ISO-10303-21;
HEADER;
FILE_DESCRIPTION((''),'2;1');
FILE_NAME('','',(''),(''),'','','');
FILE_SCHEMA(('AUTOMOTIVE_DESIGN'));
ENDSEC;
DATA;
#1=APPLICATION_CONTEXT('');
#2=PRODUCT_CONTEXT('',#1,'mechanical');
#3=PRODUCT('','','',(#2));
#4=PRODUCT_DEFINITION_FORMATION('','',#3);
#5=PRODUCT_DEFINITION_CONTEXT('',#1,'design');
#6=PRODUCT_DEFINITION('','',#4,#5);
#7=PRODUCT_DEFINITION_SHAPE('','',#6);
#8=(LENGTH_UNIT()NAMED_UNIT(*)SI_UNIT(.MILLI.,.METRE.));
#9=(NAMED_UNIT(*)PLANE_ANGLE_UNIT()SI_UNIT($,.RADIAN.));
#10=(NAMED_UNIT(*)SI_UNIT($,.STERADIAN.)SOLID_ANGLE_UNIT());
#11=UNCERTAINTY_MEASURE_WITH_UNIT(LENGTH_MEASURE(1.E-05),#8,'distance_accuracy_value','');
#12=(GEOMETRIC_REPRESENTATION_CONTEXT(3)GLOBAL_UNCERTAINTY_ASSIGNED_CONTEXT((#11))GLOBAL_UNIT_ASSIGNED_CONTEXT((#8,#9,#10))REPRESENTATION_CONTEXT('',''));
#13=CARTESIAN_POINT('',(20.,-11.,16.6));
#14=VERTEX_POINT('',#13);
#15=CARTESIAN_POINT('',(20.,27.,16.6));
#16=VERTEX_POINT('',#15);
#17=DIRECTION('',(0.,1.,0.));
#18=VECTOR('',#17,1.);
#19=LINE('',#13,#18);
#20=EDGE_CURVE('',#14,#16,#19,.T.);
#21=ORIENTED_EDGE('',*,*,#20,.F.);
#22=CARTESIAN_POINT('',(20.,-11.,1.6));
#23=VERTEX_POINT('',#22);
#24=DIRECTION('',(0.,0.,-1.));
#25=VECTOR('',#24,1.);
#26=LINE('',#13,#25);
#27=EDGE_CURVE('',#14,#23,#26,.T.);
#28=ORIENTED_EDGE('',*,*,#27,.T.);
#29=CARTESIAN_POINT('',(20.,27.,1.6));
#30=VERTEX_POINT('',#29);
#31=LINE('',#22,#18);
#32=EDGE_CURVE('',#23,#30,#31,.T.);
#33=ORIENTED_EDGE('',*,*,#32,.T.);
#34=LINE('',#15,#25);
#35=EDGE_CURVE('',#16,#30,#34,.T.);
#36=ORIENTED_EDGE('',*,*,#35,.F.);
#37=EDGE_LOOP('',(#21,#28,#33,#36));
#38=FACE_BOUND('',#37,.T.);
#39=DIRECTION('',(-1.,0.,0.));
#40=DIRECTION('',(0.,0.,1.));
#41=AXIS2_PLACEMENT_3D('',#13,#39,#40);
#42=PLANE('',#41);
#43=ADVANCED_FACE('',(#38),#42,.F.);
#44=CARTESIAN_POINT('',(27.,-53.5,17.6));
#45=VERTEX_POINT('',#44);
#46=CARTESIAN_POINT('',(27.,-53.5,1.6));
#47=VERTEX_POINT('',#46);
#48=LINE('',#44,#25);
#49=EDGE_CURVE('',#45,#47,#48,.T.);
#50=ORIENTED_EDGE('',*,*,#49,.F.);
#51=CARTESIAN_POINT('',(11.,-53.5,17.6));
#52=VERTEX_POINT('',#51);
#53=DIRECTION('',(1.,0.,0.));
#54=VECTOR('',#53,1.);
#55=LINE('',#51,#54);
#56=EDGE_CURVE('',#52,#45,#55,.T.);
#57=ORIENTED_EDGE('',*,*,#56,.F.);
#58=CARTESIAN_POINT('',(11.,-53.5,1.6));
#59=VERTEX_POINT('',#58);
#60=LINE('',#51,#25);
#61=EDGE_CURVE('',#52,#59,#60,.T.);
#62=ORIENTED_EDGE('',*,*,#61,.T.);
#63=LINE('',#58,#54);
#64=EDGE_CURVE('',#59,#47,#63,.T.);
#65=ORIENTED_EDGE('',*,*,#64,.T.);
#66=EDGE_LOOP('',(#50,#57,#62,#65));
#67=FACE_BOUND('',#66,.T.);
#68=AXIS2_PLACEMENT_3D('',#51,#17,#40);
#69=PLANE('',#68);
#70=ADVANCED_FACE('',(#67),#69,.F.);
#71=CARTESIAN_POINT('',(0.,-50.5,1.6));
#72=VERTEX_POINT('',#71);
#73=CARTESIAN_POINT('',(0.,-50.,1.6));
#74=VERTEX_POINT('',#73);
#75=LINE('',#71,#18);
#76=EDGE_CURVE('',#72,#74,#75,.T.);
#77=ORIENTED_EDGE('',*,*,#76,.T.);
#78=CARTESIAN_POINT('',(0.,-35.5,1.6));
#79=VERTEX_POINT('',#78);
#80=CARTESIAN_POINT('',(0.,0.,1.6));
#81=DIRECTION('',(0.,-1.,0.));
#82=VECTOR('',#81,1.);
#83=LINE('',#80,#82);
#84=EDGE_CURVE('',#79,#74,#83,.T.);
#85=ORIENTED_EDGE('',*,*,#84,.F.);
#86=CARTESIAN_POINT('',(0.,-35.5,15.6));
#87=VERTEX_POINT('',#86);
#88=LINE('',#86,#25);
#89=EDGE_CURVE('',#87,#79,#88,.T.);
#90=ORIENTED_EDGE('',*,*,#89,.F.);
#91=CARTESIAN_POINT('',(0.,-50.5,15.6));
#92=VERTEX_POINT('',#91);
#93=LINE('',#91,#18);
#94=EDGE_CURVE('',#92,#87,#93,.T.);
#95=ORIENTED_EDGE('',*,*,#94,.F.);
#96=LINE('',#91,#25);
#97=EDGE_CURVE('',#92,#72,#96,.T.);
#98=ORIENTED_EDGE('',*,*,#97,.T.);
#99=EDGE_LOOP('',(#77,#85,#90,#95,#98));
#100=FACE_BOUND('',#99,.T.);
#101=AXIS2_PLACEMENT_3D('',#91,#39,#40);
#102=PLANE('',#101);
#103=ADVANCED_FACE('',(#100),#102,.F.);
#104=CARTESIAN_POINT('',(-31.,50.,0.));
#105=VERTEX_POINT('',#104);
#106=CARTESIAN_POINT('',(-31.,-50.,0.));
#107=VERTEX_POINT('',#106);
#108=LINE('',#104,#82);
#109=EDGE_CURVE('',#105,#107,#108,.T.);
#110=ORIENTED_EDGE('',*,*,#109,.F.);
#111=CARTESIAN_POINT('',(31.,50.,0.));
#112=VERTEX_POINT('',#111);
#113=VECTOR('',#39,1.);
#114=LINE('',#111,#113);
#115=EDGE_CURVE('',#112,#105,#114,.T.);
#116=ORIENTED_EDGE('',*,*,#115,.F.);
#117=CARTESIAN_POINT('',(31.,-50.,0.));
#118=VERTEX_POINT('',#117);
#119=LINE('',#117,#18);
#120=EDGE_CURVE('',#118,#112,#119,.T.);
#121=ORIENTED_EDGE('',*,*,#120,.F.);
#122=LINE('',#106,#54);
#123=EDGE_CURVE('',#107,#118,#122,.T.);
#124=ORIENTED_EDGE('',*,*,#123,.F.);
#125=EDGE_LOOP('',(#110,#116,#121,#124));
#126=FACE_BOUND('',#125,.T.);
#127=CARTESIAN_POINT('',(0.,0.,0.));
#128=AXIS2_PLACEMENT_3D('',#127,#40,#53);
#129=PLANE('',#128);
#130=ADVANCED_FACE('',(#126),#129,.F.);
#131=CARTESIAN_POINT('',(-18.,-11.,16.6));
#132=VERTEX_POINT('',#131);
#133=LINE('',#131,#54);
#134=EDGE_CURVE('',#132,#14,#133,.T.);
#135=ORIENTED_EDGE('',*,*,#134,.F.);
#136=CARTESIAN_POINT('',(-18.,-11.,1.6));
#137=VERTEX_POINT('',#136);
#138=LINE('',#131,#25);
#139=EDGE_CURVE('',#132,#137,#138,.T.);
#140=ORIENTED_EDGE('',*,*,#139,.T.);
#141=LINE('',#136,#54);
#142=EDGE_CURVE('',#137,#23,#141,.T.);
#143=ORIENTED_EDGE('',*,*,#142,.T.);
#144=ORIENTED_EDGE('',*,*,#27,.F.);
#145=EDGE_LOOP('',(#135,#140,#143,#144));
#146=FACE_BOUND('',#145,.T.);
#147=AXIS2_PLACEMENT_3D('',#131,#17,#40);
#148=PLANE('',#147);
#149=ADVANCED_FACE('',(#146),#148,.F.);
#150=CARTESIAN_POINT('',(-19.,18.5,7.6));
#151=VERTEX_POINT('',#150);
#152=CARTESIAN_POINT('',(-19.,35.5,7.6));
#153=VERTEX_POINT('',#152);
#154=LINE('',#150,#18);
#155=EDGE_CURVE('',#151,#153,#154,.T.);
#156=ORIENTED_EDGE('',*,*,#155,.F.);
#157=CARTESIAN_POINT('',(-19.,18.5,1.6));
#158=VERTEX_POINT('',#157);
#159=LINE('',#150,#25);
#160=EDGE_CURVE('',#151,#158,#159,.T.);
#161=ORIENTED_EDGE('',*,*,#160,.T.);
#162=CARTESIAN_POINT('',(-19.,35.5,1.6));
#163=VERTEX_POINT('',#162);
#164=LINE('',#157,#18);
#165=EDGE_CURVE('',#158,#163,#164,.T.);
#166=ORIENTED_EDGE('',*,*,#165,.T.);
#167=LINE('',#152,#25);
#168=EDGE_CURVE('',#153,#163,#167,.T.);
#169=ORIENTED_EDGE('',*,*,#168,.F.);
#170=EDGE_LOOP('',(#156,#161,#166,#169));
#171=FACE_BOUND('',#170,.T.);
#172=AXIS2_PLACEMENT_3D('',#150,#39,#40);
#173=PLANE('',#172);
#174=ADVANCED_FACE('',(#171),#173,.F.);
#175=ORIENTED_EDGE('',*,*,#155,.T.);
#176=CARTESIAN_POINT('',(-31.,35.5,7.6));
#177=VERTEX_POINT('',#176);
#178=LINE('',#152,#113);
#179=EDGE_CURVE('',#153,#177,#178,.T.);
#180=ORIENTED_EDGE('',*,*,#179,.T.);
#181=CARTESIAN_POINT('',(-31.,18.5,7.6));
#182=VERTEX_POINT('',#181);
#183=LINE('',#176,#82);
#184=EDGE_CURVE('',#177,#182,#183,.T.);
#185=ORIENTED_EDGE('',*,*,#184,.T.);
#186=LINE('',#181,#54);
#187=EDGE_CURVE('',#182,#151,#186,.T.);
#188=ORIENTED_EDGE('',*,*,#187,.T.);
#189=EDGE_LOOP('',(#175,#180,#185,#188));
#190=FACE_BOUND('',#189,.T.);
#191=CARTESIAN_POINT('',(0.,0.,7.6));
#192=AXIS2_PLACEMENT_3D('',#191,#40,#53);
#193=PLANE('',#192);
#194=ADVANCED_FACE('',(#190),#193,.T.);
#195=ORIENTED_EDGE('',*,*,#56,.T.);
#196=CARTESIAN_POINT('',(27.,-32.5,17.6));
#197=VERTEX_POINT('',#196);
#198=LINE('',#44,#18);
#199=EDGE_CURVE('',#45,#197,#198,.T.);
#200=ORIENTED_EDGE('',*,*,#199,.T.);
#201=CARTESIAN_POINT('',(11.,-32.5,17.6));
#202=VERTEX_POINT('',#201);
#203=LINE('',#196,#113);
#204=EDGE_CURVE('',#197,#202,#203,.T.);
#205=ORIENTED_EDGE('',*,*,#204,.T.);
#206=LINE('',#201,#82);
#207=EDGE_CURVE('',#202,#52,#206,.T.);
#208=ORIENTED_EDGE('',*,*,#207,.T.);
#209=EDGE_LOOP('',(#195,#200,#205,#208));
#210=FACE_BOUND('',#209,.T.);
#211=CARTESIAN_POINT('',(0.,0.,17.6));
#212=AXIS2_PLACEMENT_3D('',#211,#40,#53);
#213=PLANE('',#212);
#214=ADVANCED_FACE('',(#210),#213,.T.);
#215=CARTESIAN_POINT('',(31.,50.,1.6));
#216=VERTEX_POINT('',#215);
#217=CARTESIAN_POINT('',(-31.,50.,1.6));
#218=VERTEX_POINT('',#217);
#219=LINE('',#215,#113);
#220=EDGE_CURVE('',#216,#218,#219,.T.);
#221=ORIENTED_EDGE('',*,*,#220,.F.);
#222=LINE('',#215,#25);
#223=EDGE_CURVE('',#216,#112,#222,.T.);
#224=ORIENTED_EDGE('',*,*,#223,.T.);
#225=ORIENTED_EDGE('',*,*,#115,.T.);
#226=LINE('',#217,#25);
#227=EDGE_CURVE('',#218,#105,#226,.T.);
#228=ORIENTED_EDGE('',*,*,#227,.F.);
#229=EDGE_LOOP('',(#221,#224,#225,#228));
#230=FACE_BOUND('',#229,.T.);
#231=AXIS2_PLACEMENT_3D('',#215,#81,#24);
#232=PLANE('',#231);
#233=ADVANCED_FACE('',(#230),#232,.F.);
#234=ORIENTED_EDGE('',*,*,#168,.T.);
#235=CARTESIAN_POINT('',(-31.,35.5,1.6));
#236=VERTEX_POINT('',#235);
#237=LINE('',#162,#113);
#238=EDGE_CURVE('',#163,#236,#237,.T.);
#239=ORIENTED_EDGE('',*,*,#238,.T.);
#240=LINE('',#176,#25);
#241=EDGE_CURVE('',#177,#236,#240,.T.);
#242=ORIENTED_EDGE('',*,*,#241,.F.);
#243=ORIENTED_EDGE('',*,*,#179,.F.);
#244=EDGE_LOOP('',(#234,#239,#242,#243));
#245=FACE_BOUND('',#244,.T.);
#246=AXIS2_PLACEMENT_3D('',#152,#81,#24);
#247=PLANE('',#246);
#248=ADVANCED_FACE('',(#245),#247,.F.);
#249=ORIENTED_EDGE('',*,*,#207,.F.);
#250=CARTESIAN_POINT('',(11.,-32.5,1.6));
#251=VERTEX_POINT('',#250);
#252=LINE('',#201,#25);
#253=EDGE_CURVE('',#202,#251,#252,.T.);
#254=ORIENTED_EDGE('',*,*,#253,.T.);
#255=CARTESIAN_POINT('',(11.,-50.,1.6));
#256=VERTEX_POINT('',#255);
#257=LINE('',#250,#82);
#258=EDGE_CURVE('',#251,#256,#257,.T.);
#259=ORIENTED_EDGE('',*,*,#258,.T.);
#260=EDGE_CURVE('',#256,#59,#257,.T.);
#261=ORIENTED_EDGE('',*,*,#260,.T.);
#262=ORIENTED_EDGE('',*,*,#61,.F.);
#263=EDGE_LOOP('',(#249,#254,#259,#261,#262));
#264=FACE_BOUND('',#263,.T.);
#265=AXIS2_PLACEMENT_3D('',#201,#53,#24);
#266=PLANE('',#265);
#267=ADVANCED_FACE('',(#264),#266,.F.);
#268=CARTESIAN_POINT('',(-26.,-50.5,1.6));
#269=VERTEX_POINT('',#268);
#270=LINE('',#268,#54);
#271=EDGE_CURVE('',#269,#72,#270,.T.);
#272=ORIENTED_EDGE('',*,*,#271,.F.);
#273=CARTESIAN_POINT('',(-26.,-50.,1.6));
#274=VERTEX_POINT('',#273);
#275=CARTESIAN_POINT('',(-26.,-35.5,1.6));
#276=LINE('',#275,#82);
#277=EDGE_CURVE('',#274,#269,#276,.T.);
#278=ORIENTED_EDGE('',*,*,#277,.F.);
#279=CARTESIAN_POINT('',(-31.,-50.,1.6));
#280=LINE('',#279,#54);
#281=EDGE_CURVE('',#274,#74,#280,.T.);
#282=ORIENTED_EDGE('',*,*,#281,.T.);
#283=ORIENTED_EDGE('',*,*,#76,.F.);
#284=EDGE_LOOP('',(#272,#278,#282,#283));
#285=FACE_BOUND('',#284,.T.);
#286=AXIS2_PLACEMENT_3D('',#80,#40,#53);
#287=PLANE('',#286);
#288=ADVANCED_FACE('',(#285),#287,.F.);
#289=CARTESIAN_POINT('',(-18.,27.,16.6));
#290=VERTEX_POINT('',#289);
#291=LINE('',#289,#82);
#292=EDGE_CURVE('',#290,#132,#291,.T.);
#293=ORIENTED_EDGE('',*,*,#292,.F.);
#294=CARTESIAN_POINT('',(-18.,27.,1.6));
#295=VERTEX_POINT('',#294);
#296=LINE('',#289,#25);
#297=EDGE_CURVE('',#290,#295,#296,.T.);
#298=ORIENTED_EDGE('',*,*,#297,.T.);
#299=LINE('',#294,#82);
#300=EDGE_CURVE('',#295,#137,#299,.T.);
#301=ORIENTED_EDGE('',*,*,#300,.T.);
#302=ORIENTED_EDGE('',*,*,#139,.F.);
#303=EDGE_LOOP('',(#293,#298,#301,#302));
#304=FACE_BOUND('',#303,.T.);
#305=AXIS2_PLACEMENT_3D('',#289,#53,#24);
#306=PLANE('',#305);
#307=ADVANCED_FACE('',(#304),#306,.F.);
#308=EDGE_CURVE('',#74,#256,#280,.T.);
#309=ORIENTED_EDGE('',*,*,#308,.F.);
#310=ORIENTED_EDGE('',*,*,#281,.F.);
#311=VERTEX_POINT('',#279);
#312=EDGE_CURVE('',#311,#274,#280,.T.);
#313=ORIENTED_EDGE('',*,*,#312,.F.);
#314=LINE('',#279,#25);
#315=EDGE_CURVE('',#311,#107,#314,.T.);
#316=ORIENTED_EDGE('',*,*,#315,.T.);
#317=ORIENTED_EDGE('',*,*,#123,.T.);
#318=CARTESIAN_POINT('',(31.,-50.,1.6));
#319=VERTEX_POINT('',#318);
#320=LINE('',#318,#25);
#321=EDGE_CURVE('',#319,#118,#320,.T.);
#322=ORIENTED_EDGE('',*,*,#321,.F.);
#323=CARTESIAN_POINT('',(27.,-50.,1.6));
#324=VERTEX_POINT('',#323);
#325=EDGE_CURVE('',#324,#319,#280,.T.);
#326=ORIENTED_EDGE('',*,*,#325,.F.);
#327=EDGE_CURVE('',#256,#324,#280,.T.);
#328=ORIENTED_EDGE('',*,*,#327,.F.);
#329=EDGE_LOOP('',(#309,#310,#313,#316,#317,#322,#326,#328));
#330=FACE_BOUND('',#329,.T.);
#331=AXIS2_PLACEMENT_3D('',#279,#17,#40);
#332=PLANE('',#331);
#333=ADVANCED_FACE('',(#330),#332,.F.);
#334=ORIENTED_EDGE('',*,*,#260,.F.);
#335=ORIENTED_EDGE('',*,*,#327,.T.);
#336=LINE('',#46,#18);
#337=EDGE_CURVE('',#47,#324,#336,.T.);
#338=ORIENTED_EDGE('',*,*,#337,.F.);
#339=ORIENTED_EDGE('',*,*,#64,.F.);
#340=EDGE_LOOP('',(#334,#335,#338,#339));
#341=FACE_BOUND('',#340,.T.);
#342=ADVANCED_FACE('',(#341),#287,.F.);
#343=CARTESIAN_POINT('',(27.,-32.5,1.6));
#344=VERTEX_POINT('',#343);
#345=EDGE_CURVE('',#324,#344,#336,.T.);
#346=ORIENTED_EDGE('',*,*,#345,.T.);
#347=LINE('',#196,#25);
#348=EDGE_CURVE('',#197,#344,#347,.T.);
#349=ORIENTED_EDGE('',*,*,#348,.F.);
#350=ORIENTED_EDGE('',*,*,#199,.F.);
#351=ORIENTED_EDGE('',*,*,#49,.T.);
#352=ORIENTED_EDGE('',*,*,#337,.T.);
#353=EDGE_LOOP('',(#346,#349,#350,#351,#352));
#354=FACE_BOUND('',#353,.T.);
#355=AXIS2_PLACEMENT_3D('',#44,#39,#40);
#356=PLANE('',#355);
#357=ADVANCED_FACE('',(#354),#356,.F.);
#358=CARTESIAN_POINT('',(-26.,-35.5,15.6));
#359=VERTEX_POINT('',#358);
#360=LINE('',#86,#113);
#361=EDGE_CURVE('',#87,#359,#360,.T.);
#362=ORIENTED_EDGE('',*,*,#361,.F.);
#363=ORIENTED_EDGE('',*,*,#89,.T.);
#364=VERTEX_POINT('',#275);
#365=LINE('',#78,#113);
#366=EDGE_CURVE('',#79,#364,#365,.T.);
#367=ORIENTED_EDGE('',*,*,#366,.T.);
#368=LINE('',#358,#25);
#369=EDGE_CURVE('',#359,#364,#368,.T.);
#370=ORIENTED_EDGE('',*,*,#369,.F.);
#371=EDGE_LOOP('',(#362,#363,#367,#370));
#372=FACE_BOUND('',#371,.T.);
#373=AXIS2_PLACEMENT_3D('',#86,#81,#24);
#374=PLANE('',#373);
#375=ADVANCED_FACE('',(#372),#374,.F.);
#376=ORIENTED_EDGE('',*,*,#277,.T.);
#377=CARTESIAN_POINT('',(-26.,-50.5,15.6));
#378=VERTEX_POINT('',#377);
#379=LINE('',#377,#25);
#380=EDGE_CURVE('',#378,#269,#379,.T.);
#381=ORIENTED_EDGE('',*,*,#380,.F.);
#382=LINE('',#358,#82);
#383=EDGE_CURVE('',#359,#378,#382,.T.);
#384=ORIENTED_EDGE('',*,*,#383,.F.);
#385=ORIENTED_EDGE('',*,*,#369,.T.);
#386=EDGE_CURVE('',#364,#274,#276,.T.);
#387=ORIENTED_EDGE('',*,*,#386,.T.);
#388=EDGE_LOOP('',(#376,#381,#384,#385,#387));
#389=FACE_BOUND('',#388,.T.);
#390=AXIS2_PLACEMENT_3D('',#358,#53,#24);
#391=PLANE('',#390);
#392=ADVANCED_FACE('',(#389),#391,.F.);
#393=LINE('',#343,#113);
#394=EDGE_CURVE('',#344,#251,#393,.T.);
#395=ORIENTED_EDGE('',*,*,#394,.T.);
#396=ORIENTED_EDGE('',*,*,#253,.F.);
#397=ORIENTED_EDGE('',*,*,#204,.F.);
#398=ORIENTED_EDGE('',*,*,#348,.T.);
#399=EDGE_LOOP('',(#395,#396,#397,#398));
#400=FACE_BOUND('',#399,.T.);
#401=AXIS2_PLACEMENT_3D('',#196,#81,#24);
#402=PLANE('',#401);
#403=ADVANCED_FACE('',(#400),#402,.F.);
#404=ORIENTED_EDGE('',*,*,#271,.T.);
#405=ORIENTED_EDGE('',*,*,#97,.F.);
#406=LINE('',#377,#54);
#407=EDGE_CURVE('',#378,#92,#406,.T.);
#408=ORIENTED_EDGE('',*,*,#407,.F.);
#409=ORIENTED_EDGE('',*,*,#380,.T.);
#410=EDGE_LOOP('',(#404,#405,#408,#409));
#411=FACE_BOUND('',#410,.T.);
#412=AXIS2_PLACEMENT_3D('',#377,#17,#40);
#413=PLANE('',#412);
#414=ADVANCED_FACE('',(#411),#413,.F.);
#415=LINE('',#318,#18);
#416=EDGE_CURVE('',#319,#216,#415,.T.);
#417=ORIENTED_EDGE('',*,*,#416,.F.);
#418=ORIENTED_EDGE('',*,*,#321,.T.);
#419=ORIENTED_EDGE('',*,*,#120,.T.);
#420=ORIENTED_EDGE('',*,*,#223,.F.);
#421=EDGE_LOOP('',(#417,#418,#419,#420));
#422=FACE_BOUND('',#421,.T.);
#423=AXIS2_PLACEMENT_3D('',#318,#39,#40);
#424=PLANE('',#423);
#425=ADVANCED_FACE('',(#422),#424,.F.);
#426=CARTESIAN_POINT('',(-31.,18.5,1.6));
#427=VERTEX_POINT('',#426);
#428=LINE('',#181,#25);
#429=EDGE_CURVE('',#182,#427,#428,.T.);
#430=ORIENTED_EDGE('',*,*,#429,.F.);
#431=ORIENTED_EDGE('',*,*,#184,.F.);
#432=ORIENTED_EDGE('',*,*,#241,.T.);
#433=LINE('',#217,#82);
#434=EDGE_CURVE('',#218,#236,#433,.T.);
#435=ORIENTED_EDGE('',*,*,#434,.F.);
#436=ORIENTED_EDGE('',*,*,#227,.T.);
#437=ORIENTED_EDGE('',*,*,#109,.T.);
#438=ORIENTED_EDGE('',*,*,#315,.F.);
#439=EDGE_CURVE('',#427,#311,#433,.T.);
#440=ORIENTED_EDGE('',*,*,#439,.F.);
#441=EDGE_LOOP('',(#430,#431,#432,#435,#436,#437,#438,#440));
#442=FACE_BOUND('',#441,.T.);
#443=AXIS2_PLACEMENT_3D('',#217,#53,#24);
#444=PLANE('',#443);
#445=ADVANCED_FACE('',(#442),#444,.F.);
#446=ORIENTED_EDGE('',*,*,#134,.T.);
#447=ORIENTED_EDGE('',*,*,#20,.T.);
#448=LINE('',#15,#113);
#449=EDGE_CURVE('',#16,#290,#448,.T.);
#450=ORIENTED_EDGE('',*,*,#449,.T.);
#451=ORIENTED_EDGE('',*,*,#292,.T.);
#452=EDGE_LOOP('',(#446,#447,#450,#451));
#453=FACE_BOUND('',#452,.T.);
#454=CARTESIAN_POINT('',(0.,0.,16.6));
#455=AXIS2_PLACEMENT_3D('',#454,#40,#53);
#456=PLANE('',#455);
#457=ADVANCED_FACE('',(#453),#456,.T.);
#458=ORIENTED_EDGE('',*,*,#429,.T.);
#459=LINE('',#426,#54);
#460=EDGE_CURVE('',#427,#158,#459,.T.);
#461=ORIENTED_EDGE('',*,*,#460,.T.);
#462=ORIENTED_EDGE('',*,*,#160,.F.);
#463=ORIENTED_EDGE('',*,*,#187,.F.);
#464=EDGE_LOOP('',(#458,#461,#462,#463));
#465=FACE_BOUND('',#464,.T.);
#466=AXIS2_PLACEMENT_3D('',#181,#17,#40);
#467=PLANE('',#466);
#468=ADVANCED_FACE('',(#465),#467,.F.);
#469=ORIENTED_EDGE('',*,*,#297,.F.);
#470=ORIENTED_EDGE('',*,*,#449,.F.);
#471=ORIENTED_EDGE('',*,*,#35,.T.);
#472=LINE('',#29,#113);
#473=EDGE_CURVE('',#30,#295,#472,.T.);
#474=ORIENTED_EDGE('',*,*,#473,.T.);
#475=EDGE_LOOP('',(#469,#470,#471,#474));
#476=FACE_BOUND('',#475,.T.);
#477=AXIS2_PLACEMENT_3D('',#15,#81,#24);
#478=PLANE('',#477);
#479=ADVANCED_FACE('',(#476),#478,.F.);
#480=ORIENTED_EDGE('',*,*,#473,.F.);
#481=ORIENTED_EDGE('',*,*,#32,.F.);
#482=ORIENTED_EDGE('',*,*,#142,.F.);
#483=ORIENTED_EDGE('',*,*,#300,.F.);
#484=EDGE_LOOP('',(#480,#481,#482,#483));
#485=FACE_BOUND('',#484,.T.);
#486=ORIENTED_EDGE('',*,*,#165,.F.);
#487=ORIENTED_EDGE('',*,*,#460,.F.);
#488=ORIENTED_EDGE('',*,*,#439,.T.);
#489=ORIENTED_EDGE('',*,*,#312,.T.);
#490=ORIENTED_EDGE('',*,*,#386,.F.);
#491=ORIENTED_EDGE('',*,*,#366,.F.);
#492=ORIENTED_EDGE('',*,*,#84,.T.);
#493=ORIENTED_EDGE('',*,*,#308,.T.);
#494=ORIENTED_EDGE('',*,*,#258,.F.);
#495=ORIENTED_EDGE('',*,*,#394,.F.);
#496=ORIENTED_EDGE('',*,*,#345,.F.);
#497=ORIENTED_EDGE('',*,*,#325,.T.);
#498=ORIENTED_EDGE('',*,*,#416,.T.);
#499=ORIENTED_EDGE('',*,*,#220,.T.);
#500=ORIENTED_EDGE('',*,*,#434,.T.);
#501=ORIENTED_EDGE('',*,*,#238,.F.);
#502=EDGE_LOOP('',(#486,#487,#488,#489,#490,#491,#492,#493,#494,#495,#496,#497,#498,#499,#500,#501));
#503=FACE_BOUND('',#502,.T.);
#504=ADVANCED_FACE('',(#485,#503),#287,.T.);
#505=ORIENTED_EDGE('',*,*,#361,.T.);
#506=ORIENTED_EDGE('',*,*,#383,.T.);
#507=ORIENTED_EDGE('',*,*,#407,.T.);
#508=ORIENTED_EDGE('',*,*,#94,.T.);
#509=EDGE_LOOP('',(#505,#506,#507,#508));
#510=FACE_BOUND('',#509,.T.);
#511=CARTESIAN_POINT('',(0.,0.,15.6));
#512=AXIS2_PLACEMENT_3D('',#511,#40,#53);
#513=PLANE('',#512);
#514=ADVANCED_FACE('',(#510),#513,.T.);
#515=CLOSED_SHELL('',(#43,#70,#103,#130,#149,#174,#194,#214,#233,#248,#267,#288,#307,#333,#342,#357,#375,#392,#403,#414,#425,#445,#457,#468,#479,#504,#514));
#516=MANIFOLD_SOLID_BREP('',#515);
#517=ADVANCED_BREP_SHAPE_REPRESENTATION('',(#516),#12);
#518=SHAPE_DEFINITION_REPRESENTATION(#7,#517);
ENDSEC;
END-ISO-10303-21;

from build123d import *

# Parameters (mm, degrees)
SKETCH_1_W           = 62
SKETCH_1_H           = 100
F_5_PCB_100X62_DEPTH = 1.6
EXTRUDE_START        = 1.6
SKETCH_2_W           = 16
SKETCH_2_H           = 21
EXTRUDE_312_DEPTH    = 16
USB_START            = 1.6
SKETCH_3_W           = 26
SKETCH_3_H           = 15
USB_DEPTH            = 14
SKETCH_4_W           = 12
SKETCH_4_H           = 17
EXTRUDE_463_DEPTH    = 6
SKETCH_5_W           = 38
SKETCH_5_H           = 38
EXTRUDE_553_DEPTH    = 15


with BuildPart() as part:
    # 草图1 → 香橙派5_PCB官方外形100x62 (new body)
    with BuildSketch(Plane.XY):
        Rectangle(SKETCH_1_W, SKETCH_1_H)
    extrude(amount=F_5_PCB_100X62_DEPTH)

    # 草图2 → Extrude 312 (add)
    with BuildSketch(Plane.XY.offset(EXTRUDE_START)):
        with Locations((19, -43)):
            Rectangle(SKETCH_2_W, SKETCH_2_H)
    extrude(amount=EXTRUDE_312_DEPTH)

    # 草图3 → USB插拔包络_需按实物替换 (add)
    with BuildSketch(Plane.XY.offset(USB_START)):
        with Locations((-13, -43)):
            Rectangle(SKETCH_3_W, SKETCH_3_H)
    extrude(amount=USB_DEPTH)

    # 草图4 → Extrude 463 (add)
    with BuildSketch(Plane.XY.offset(EXTRUDE_START)):
        with Locations((-25, 27)):
            Rectangle(SKETCH_4_W, SKETCH_4_H)
    extrude(amount=EXTRUDE_463_DEPTH)

    # 草图5 → Extrude 553 (add)
    with BuildSketch(Plane.XY.offset(EXTRUDE_START)):
        with Locations((1, 8)):
            Rectangle(SKETCH_5_W, SKETCH_5_H)
    extrude(amount=EXTRUDE_553_DEPTH)


solid = part.part
